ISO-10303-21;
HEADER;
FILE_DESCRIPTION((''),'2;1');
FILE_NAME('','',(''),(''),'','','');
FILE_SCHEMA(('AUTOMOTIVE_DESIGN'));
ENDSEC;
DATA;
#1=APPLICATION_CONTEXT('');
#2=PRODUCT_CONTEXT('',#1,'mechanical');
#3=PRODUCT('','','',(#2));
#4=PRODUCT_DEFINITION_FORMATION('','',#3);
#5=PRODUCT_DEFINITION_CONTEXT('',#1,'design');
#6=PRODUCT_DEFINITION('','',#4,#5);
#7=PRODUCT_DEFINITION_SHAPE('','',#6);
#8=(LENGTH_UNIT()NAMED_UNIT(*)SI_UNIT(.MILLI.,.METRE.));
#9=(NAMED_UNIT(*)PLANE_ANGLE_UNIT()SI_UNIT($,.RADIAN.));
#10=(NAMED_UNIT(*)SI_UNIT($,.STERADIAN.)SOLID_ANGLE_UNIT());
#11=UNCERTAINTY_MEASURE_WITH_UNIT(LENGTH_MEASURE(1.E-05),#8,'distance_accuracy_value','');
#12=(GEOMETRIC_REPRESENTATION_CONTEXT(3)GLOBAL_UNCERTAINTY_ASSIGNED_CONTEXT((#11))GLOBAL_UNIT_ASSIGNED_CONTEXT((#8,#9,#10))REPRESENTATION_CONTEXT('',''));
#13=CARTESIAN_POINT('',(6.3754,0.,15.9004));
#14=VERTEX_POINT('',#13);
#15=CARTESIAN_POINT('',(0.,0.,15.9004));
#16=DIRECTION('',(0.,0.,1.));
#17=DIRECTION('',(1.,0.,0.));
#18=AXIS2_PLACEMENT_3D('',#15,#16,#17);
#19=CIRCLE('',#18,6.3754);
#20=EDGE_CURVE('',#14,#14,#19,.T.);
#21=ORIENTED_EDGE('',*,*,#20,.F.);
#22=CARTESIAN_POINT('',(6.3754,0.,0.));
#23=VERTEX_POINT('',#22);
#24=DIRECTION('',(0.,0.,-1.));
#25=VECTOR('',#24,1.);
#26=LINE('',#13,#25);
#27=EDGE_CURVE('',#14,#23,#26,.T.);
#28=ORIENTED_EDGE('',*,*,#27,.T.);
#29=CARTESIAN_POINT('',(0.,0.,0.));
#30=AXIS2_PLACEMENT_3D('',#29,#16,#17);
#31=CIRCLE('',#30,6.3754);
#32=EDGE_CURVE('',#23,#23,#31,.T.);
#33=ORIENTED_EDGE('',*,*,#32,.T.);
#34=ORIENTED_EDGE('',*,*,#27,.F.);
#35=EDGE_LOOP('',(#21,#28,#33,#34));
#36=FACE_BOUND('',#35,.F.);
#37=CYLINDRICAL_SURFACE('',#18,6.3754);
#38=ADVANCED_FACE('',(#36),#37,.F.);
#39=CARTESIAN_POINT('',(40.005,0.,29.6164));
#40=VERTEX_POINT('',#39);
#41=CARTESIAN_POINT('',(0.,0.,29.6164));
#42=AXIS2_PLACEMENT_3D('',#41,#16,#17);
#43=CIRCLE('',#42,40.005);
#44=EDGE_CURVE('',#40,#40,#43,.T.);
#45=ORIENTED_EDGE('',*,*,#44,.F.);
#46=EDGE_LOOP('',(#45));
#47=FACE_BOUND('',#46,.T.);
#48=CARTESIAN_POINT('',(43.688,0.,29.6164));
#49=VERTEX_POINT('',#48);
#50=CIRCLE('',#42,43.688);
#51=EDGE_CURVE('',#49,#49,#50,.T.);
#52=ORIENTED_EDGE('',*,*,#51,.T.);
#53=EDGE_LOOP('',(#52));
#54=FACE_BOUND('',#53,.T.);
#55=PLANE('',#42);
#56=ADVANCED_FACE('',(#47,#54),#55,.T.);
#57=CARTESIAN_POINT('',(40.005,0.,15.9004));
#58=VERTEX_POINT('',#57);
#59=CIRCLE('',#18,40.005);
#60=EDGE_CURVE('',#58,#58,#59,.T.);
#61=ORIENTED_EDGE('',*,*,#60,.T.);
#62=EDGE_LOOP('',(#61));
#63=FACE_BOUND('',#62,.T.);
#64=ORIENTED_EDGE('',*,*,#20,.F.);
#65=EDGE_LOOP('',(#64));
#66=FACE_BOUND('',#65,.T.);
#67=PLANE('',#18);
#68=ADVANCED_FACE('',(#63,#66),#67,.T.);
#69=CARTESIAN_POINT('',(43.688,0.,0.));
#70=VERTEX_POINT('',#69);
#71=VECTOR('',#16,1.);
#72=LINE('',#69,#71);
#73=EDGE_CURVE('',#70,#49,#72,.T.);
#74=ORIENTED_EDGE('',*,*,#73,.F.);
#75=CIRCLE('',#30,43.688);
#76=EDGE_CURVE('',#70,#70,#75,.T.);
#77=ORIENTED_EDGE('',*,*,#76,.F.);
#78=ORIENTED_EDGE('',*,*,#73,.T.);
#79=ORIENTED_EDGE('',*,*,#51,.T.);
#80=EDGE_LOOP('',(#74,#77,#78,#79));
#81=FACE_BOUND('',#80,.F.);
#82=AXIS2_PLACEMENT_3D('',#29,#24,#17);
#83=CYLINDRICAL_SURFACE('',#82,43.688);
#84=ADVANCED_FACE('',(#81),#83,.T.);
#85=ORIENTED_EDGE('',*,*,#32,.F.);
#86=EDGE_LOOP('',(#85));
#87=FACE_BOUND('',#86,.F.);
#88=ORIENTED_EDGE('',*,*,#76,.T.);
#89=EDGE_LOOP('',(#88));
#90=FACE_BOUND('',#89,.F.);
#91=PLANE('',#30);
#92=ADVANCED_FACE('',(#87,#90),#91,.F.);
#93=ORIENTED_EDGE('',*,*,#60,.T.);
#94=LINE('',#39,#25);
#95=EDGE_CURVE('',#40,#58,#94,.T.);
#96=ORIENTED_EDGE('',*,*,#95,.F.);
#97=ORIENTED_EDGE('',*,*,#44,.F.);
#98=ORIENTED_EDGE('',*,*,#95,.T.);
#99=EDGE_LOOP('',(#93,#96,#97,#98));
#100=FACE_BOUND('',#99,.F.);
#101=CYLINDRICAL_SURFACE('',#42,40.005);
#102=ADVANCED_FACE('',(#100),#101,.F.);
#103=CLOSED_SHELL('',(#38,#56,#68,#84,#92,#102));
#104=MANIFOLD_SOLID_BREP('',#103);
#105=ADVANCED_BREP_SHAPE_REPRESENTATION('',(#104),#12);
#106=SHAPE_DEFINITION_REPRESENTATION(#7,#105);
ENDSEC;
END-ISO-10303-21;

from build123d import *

# Parameters (mm, degrees)
F0_R     = 43.688
F1_DEPTH = 29.6164
F2_R     = 40.005
F3_DEPTH = 13.716
F4_R     = 6.3754
F5_DEPTH = 15.9014


with BuildPart() as f1:
    # F0 (on Top) → F1 (new body)
    with BuildSketch(Plane.XY):
        Circle(F0_R)
    extrude(amount=F1_DEPTH)

    # F2 (on face) → F3 (cut)
    with BuildSketch(Plane.XY.offset(29.6164)):
        Circle(F2_R)
    extrude(amount=-F3_DEPTH, mode=Mode.SUBTRACT)

    # F4 (on face) → F5 (cut, through all)
    with BuildSketch(Plane.XY.offset(15.9004)):
        Circle(F4_R)
    extrude(amount=-F5_DEPTH, mode=Mode.SUBTRACT)


solid = f1.part
